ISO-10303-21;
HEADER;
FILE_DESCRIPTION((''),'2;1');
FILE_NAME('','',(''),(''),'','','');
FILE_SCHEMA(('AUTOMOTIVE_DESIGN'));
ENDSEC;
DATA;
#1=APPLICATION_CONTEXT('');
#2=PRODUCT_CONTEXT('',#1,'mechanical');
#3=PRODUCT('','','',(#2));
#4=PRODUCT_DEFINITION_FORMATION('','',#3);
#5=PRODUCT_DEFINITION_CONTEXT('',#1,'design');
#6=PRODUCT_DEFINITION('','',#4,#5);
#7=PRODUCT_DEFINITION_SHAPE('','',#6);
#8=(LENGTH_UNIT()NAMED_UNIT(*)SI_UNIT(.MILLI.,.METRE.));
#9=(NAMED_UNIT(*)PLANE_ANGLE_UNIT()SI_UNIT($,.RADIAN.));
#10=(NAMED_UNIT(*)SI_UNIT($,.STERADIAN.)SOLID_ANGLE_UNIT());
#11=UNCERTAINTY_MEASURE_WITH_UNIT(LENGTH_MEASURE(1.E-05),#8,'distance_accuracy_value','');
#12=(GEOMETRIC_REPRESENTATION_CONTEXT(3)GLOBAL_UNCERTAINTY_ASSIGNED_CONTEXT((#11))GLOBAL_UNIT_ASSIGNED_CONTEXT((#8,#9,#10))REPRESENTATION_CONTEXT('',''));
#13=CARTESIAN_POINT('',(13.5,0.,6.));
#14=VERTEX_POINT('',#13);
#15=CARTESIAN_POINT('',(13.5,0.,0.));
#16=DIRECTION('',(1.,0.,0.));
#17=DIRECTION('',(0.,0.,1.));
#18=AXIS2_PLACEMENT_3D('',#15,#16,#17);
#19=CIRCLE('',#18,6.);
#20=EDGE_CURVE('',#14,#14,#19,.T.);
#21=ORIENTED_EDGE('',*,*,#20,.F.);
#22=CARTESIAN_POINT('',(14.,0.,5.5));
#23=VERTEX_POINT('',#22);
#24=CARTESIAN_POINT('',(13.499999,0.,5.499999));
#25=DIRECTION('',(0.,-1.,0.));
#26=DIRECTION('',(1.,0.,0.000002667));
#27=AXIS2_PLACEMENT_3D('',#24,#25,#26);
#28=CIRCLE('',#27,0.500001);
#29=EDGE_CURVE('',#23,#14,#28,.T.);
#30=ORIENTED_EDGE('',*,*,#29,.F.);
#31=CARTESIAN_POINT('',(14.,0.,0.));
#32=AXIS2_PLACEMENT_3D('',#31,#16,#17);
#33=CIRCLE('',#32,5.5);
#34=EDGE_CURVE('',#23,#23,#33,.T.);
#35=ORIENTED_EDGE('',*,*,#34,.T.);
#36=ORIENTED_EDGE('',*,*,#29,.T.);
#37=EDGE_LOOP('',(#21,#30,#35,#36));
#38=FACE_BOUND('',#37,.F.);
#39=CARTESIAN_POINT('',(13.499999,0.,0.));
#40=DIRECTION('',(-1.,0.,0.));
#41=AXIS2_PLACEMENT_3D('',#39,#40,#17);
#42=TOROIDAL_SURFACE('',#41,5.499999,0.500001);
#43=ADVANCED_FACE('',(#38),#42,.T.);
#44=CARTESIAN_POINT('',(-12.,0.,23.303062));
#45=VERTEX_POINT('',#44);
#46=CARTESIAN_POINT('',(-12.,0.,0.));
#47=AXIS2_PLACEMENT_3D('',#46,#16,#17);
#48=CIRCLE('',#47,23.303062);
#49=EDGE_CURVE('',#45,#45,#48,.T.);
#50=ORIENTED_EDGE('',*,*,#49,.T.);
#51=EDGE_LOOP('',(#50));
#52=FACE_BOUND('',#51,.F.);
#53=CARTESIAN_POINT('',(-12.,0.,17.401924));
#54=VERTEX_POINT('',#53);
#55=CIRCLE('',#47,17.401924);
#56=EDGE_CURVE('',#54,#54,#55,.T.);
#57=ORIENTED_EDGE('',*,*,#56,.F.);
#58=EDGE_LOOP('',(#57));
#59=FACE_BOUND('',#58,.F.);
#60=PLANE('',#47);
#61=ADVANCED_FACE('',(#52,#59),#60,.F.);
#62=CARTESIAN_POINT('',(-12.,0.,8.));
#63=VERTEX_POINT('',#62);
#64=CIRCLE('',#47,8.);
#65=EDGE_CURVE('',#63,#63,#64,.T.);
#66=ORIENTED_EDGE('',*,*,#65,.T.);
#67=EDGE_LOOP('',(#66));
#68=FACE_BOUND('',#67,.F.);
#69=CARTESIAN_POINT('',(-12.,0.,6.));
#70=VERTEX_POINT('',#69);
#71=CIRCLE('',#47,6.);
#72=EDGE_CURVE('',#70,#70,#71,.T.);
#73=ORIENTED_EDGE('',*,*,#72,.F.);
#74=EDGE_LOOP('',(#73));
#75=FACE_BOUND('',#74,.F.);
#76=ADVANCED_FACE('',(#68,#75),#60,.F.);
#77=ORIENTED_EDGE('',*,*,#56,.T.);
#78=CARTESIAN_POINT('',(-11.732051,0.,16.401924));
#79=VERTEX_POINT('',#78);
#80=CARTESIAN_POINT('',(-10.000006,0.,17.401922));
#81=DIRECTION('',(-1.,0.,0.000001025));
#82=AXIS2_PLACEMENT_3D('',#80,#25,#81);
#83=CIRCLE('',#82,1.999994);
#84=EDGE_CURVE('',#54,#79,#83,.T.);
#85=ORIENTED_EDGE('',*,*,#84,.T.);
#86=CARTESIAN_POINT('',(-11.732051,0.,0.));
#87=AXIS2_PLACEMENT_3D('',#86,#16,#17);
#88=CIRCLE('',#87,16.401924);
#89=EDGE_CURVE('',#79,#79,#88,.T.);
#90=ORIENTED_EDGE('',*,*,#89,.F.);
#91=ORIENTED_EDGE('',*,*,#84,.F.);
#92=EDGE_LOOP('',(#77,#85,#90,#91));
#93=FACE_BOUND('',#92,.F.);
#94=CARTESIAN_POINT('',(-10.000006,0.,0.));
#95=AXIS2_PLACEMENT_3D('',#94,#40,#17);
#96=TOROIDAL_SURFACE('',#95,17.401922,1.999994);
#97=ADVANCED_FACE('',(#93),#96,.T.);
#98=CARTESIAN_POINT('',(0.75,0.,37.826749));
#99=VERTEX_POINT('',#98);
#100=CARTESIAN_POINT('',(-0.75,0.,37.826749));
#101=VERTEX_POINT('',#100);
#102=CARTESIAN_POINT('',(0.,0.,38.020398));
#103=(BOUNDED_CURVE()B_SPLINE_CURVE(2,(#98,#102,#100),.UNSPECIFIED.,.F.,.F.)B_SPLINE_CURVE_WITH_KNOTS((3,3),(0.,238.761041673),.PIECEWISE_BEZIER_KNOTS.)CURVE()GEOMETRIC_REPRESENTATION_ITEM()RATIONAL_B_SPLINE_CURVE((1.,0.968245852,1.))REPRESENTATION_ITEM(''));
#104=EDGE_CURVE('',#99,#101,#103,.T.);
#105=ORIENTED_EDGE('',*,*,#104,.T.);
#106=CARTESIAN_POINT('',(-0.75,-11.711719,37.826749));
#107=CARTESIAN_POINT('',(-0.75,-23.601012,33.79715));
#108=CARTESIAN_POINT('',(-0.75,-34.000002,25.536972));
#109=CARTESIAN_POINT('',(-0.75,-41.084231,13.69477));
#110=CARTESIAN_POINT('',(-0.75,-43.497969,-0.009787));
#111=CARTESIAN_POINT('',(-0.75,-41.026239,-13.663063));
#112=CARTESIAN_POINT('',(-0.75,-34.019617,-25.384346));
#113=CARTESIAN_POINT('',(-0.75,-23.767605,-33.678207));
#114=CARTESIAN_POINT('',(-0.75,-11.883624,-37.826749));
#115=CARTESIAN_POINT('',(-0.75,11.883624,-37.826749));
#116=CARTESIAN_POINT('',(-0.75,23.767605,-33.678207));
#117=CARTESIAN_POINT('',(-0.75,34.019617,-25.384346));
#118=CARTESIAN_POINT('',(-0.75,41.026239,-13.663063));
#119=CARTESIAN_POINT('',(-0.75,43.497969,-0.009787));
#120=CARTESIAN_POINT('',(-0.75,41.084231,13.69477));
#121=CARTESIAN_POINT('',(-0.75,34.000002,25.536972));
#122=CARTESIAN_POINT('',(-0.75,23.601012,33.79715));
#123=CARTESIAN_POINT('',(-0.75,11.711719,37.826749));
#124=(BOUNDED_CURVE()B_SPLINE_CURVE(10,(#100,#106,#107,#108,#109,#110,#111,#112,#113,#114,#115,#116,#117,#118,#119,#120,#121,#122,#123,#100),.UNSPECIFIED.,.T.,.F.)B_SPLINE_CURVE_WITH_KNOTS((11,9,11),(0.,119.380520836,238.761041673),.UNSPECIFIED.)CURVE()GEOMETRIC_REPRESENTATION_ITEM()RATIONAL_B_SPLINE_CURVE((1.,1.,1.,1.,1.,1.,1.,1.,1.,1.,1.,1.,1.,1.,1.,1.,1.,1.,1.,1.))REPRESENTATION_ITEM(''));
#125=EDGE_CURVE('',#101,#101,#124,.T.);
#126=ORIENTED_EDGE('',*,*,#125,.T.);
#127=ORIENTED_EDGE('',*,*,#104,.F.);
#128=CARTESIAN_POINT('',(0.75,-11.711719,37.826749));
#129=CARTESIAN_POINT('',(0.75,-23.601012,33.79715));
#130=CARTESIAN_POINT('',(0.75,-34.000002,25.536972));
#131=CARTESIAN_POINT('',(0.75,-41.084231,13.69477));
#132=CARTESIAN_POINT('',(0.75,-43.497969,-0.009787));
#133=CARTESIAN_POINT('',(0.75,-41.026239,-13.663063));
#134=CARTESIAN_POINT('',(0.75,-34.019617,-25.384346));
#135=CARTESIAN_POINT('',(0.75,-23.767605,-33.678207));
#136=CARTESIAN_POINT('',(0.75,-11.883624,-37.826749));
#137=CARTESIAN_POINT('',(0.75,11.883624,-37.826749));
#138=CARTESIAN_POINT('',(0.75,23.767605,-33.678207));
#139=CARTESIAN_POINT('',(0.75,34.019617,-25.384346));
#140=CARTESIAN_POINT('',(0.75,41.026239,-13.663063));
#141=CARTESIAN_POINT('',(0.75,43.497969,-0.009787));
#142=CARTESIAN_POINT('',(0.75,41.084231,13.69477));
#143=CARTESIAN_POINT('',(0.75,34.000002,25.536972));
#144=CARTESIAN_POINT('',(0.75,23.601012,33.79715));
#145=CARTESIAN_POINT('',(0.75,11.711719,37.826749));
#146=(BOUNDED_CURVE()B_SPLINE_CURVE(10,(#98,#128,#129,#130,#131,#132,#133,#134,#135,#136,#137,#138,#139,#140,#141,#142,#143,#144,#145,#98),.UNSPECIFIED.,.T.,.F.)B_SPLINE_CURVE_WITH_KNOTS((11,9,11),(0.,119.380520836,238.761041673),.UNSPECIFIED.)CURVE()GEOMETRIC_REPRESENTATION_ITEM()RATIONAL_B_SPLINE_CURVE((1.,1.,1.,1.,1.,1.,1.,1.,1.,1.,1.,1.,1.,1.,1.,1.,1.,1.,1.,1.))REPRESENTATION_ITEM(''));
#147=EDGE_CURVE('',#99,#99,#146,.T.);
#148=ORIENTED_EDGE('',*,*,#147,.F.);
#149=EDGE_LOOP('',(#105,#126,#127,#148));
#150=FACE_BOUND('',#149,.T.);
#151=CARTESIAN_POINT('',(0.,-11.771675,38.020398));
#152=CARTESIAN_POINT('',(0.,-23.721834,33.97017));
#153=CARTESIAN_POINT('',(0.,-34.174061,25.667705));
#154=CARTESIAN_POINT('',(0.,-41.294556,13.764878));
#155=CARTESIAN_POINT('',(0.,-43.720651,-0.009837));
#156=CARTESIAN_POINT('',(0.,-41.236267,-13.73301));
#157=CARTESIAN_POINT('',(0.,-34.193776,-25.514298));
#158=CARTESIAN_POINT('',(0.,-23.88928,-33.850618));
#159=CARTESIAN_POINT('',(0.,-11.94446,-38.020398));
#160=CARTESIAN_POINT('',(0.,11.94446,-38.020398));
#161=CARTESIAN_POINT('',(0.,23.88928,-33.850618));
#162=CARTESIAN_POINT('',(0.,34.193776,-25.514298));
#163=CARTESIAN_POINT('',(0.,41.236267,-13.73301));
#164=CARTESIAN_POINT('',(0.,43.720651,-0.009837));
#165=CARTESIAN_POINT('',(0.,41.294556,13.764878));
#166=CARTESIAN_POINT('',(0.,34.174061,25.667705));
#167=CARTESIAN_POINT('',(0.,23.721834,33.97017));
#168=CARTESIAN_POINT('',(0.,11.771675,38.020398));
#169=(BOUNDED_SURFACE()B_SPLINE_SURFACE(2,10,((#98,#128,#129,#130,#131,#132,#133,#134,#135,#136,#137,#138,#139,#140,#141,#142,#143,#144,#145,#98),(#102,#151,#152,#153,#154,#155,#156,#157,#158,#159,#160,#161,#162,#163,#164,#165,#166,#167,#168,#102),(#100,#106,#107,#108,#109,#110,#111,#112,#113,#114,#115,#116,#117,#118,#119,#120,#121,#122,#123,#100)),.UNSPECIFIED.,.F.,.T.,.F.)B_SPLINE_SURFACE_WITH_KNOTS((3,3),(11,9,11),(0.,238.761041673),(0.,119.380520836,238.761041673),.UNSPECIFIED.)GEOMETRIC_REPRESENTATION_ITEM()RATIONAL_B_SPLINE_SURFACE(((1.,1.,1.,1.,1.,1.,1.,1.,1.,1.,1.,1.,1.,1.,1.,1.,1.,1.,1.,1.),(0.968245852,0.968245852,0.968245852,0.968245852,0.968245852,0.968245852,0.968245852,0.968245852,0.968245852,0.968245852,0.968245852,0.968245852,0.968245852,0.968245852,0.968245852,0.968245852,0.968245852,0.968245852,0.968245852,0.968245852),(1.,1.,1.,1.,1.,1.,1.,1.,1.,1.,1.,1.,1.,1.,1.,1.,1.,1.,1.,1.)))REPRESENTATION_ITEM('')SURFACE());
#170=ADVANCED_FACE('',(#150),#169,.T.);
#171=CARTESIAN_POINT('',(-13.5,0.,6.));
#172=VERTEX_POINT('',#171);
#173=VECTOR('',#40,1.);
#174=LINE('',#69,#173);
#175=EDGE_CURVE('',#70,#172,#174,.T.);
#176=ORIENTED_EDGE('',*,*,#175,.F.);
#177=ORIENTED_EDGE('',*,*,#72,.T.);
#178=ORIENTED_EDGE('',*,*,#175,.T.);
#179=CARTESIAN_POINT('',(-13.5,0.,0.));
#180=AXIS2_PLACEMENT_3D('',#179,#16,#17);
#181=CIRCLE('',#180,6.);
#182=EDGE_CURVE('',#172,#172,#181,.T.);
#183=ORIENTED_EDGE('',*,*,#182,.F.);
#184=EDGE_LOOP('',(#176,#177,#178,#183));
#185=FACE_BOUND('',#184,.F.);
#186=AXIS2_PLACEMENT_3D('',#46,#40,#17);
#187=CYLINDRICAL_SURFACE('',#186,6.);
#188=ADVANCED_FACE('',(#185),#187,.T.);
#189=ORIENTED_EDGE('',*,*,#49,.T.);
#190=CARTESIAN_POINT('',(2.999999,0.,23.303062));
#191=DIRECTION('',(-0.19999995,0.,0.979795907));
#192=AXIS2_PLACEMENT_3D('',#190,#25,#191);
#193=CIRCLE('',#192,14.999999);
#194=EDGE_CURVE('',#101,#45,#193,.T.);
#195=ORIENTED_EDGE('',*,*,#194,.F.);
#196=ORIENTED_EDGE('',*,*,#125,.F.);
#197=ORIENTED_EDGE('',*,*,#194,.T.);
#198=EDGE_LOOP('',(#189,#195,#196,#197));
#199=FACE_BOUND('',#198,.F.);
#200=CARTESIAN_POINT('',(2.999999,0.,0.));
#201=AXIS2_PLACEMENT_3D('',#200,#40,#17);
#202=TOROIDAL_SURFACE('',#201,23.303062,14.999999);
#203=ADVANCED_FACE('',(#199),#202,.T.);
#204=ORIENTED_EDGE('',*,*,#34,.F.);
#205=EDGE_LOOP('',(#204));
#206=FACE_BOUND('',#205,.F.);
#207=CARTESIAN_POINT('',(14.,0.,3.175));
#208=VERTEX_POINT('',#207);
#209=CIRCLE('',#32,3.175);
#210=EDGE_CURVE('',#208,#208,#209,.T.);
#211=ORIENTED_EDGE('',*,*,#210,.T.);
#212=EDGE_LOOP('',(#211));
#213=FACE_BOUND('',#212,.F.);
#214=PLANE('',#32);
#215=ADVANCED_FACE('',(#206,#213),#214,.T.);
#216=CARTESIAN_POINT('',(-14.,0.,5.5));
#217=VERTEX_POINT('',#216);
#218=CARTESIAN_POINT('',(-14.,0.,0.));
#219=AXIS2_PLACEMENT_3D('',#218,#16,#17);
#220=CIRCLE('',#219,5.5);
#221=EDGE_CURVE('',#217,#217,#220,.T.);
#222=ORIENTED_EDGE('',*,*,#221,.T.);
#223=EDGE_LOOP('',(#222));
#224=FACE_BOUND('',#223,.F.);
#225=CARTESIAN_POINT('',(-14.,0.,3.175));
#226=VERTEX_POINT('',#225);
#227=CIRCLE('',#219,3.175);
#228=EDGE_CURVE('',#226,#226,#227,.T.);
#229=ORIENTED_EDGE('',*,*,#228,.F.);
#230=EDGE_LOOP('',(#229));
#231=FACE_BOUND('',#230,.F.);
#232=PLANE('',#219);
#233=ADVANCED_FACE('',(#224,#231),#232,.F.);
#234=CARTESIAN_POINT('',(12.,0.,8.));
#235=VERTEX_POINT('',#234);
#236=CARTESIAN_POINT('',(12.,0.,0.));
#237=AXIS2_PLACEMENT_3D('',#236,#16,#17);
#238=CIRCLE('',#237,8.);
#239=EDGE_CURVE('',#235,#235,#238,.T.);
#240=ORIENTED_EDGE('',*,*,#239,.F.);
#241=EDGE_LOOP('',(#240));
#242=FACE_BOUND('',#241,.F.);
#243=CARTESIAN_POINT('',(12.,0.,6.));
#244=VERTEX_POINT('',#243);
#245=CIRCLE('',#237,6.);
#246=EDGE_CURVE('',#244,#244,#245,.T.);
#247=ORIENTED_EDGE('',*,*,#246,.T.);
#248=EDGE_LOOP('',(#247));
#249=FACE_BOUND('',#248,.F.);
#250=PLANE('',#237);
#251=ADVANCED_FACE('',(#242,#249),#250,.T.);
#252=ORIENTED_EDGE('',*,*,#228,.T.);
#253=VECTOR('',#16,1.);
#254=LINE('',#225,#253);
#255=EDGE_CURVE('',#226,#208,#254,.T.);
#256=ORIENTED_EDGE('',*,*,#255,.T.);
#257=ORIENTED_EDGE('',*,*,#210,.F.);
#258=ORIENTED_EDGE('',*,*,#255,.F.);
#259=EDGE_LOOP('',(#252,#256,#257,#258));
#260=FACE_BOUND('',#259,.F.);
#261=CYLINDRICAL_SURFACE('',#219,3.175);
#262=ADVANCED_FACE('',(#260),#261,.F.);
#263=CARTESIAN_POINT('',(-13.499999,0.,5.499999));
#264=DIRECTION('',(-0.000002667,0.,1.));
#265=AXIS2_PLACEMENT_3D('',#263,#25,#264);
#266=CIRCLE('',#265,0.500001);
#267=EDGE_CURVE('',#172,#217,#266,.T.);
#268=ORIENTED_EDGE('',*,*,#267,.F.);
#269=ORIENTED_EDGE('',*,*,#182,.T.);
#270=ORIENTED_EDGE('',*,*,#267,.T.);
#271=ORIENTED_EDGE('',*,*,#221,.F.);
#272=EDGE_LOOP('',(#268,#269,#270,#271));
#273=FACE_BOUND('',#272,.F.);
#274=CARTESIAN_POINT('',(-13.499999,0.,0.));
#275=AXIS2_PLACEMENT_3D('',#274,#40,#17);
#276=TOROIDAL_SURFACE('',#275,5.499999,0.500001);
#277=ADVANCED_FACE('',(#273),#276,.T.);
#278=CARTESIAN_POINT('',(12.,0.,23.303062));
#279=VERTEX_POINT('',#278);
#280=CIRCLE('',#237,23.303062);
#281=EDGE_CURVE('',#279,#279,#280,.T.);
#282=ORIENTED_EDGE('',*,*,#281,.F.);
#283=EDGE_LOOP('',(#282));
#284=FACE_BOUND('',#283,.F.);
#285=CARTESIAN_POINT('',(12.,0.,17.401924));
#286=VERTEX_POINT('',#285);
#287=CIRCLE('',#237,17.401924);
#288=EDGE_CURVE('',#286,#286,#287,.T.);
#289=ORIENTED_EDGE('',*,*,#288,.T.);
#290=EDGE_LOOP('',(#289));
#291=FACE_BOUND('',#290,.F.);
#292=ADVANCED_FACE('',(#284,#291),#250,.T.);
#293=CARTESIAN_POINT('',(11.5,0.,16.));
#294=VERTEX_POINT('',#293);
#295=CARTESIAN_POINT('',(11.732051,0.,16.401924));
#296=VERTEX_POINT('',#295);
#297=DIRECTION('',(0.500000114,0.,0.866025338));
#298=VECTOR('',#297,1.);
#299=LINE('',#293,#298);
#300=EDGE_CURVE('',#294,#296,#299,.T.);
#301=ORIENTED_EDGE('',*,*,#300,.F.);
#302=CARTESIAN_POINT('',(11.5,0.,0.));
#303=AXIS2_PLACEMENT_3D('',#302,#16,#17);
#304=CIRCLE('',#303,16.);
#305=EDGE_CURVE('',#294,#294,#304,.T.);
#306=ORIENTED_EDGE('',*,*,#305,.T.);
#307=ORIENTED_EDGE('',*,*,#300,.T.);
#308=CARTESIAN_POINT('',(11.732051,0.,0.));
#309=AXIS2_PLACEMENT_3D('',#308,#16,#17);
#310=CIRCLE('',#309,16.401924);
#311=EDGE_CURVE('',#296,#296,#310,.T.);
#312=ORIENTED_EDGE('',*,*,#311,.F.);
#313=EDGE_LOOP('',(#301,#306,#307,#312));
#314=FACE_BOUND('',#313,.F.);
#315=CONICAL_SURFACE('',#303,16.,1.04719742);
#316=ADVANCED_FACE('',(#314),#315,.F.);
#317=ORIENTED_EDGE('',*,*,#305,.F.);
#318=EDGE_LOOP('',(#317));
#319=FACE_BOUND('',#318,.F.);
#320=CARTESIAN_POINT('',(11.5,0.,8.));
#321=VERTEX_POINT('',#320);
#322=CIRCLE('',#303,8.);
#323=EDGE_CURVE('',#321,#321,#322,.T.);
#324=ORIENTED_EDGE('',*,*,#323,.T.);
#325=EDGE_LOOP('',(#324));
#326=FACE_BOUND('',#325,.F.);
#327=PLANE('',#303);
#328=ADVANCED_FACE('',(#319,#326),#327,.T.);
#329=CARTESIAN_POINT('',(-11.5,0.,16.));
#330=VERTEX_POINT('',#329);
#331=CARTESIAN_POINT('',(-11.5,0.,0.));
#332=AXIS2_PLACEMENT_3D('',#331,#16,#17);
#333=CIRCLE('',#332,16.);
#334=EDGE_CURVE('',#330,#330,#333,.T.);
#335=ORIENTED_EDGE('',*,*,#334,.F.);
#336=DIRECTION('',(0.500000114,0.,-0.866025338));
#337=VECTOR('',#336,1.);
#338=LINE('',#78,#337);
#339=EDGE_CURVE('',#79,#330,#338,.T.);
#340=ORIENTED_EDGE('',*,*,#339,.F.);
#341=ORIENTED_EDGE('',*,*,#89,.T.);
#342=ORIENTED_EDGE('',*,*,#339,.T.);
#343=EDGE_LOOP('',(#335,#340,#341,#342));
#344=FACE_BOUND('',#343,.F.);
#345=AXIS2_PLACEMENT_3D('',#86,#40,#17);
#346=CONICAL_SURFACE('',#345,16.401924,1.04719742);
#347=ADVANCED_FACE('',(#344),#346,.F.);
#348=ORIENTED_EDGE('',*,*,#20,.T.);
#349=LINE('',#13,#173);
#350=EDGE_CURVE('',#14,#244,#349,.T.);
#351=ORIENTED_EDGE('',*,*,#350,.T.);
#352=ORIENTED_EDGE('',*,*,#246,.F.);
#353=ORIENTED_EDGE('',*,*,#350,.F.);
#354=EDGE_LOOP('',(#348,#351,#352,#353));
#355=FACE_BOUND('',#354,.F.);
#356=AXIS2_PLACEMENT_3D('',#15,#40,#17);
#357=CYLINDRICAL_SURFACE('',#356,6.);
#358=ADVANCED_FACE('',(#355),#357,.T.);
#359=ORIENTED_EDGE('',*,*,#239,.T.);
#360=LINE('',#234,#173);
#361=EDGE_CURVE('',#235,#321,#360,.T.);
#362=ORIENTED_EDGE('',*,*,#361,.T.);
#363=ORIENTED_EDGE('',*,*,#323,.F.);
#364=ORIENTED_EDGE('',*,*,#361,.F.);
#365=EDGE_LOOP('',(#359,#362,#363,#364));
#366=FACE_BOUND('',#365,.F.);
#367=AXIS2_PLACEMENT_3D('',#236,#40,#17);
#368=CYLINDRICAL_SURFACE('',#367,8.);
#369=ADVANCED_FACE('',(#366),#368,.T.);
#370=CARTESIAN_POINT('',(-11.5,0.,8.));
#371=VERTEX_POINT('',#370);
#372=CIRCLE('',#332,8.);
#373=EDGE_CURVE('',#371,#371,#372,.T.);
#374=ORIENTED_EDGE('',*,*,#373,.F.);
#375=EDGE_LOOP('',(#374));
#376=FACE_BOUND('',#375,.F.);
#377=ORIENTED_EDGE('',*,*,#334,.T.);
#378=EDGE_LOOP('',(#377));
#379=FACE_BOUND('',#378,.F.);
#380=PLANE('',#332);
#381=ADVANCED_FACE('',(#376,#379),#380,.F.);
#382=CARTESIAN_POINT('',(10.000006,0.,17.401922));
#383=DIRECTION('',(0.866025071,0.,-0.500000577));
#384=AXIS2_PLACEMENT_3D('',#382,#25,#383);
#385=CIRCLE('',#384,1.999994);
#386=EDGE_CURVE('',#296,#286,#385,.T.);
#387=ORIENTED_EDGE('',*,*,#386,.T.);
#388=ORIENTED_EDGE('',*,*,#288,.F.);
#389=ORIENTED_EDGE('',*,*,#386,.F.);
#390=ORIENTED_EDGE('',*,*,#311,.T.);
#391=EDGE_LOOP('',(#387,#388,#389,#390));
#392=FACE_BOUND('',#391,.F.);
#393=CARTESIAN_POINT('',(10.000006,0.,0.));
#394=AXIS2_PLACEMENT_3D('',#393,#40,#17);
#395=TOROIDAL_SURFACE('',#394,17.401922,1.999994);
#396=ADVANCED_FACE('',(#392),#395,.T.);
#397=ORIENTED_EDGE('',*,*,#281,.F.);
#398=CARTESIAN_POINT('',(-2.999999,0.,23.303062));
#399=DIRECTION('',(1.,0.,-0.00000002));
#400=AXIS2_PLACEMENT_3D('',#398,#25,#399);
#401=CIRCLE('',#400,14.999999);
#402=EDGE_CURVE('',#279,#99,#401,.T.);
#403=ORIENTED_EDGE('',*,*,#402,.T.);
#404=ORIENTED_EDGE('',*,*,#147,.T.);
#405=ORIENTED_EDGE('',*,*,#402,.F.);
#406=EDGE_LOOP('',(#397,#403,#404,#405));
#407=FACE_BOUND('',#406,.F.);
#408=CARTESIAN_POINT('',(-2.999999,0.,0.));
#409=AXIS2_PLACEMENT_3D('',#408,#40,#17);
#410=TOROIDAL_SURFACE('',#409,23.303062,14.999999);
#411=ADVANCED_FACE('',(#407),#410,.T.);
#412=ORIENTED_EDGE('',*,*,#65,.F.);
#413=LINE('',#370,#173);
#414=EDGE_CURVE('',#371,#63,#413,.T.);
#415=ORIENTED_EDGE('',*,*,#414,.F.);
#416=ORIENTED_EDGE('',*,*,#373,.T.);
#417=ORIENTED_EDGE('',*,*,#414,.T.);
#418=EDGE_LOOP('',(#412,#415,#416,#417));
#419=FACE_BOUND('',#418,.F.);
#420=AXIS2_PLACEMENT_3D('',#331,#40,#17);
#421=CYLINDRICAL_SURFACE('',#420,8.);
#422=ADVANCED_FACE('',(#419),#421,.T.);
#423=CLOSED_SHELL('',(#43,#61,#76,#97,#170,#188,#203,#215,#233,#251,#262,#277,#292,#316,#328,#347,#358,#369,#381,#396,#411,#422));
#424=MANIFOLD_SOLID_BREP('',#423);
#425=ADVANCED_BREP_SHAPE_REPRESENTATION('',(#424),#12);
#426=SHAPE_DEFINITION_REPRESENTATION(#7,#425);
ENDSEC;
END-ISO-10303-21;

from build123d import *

# Parameters (mm, degrees)
F2_R = 3


with BuildPart() as f1:
    # F0 (on Front) → F1 (revolve)
    with BuildSketch(Plane.XZ):
        with BuildLine():
            Line((-14, 3.175), (0, 3.175))
            Line((0, 3.175), (14, 3.175))
            Line((14, 3.175), (14, 5.5))
            ThreePointArc((14, 5.5), (13.853553, 5.853553), (13.5, 6))
            Line((13.5, 6), (12, 6))
            Line((12, 6), (12, 8))
            Line((12, 8), (11.5, 8))
            Line((11.5, 8), (11.5, 16))
            Line((11.5, 16), (11.732051, 16.401924))
            ThreePointArc((11.732051, 16.401924), (11.931852, 16.884286), (12, 17.401924))
            Line((12, 17.401924), (12, 23.303062))
            ThreePointArc((12, 23.303062), (8.61895, 32.789895), (0, 38))
            ThreePointArc((0, 38), (-8.61895, 32.789895), (-12, 23.303062))
            Line((-12, 23.303062), (-12, 17.401924))
            ThreePointArc((-12, 17.401924), (-11.931852, 16.884286), (-11.732051, 16.401924))
            Line((-11.732051, 16.401924), (-11.5, 16))
            Line((-11.5, 16), (-11.5, 8))
            Line((-11.5, 8), (-12, 8))
            Line((-12, 8), (-12, 6))
            Line((-12, 6), (-13.5, 6))
            ThreePointArc((-13.5, 6), (-13.853553, 5.853553), (-14, 5.5))
            Line((-14, 5.5), (-14, 3.175))
        make_face()
    revolve(axis=Axis((0, 0, 0), (1, 0, 0)))

    # F2
    f2_edges = [f1.edges().sort_by_distance(p)[0] for p in [
        (0, 0, -38),
    ]]
    fillet(f2_edges, radius=F2_R)


solid = f1.part
